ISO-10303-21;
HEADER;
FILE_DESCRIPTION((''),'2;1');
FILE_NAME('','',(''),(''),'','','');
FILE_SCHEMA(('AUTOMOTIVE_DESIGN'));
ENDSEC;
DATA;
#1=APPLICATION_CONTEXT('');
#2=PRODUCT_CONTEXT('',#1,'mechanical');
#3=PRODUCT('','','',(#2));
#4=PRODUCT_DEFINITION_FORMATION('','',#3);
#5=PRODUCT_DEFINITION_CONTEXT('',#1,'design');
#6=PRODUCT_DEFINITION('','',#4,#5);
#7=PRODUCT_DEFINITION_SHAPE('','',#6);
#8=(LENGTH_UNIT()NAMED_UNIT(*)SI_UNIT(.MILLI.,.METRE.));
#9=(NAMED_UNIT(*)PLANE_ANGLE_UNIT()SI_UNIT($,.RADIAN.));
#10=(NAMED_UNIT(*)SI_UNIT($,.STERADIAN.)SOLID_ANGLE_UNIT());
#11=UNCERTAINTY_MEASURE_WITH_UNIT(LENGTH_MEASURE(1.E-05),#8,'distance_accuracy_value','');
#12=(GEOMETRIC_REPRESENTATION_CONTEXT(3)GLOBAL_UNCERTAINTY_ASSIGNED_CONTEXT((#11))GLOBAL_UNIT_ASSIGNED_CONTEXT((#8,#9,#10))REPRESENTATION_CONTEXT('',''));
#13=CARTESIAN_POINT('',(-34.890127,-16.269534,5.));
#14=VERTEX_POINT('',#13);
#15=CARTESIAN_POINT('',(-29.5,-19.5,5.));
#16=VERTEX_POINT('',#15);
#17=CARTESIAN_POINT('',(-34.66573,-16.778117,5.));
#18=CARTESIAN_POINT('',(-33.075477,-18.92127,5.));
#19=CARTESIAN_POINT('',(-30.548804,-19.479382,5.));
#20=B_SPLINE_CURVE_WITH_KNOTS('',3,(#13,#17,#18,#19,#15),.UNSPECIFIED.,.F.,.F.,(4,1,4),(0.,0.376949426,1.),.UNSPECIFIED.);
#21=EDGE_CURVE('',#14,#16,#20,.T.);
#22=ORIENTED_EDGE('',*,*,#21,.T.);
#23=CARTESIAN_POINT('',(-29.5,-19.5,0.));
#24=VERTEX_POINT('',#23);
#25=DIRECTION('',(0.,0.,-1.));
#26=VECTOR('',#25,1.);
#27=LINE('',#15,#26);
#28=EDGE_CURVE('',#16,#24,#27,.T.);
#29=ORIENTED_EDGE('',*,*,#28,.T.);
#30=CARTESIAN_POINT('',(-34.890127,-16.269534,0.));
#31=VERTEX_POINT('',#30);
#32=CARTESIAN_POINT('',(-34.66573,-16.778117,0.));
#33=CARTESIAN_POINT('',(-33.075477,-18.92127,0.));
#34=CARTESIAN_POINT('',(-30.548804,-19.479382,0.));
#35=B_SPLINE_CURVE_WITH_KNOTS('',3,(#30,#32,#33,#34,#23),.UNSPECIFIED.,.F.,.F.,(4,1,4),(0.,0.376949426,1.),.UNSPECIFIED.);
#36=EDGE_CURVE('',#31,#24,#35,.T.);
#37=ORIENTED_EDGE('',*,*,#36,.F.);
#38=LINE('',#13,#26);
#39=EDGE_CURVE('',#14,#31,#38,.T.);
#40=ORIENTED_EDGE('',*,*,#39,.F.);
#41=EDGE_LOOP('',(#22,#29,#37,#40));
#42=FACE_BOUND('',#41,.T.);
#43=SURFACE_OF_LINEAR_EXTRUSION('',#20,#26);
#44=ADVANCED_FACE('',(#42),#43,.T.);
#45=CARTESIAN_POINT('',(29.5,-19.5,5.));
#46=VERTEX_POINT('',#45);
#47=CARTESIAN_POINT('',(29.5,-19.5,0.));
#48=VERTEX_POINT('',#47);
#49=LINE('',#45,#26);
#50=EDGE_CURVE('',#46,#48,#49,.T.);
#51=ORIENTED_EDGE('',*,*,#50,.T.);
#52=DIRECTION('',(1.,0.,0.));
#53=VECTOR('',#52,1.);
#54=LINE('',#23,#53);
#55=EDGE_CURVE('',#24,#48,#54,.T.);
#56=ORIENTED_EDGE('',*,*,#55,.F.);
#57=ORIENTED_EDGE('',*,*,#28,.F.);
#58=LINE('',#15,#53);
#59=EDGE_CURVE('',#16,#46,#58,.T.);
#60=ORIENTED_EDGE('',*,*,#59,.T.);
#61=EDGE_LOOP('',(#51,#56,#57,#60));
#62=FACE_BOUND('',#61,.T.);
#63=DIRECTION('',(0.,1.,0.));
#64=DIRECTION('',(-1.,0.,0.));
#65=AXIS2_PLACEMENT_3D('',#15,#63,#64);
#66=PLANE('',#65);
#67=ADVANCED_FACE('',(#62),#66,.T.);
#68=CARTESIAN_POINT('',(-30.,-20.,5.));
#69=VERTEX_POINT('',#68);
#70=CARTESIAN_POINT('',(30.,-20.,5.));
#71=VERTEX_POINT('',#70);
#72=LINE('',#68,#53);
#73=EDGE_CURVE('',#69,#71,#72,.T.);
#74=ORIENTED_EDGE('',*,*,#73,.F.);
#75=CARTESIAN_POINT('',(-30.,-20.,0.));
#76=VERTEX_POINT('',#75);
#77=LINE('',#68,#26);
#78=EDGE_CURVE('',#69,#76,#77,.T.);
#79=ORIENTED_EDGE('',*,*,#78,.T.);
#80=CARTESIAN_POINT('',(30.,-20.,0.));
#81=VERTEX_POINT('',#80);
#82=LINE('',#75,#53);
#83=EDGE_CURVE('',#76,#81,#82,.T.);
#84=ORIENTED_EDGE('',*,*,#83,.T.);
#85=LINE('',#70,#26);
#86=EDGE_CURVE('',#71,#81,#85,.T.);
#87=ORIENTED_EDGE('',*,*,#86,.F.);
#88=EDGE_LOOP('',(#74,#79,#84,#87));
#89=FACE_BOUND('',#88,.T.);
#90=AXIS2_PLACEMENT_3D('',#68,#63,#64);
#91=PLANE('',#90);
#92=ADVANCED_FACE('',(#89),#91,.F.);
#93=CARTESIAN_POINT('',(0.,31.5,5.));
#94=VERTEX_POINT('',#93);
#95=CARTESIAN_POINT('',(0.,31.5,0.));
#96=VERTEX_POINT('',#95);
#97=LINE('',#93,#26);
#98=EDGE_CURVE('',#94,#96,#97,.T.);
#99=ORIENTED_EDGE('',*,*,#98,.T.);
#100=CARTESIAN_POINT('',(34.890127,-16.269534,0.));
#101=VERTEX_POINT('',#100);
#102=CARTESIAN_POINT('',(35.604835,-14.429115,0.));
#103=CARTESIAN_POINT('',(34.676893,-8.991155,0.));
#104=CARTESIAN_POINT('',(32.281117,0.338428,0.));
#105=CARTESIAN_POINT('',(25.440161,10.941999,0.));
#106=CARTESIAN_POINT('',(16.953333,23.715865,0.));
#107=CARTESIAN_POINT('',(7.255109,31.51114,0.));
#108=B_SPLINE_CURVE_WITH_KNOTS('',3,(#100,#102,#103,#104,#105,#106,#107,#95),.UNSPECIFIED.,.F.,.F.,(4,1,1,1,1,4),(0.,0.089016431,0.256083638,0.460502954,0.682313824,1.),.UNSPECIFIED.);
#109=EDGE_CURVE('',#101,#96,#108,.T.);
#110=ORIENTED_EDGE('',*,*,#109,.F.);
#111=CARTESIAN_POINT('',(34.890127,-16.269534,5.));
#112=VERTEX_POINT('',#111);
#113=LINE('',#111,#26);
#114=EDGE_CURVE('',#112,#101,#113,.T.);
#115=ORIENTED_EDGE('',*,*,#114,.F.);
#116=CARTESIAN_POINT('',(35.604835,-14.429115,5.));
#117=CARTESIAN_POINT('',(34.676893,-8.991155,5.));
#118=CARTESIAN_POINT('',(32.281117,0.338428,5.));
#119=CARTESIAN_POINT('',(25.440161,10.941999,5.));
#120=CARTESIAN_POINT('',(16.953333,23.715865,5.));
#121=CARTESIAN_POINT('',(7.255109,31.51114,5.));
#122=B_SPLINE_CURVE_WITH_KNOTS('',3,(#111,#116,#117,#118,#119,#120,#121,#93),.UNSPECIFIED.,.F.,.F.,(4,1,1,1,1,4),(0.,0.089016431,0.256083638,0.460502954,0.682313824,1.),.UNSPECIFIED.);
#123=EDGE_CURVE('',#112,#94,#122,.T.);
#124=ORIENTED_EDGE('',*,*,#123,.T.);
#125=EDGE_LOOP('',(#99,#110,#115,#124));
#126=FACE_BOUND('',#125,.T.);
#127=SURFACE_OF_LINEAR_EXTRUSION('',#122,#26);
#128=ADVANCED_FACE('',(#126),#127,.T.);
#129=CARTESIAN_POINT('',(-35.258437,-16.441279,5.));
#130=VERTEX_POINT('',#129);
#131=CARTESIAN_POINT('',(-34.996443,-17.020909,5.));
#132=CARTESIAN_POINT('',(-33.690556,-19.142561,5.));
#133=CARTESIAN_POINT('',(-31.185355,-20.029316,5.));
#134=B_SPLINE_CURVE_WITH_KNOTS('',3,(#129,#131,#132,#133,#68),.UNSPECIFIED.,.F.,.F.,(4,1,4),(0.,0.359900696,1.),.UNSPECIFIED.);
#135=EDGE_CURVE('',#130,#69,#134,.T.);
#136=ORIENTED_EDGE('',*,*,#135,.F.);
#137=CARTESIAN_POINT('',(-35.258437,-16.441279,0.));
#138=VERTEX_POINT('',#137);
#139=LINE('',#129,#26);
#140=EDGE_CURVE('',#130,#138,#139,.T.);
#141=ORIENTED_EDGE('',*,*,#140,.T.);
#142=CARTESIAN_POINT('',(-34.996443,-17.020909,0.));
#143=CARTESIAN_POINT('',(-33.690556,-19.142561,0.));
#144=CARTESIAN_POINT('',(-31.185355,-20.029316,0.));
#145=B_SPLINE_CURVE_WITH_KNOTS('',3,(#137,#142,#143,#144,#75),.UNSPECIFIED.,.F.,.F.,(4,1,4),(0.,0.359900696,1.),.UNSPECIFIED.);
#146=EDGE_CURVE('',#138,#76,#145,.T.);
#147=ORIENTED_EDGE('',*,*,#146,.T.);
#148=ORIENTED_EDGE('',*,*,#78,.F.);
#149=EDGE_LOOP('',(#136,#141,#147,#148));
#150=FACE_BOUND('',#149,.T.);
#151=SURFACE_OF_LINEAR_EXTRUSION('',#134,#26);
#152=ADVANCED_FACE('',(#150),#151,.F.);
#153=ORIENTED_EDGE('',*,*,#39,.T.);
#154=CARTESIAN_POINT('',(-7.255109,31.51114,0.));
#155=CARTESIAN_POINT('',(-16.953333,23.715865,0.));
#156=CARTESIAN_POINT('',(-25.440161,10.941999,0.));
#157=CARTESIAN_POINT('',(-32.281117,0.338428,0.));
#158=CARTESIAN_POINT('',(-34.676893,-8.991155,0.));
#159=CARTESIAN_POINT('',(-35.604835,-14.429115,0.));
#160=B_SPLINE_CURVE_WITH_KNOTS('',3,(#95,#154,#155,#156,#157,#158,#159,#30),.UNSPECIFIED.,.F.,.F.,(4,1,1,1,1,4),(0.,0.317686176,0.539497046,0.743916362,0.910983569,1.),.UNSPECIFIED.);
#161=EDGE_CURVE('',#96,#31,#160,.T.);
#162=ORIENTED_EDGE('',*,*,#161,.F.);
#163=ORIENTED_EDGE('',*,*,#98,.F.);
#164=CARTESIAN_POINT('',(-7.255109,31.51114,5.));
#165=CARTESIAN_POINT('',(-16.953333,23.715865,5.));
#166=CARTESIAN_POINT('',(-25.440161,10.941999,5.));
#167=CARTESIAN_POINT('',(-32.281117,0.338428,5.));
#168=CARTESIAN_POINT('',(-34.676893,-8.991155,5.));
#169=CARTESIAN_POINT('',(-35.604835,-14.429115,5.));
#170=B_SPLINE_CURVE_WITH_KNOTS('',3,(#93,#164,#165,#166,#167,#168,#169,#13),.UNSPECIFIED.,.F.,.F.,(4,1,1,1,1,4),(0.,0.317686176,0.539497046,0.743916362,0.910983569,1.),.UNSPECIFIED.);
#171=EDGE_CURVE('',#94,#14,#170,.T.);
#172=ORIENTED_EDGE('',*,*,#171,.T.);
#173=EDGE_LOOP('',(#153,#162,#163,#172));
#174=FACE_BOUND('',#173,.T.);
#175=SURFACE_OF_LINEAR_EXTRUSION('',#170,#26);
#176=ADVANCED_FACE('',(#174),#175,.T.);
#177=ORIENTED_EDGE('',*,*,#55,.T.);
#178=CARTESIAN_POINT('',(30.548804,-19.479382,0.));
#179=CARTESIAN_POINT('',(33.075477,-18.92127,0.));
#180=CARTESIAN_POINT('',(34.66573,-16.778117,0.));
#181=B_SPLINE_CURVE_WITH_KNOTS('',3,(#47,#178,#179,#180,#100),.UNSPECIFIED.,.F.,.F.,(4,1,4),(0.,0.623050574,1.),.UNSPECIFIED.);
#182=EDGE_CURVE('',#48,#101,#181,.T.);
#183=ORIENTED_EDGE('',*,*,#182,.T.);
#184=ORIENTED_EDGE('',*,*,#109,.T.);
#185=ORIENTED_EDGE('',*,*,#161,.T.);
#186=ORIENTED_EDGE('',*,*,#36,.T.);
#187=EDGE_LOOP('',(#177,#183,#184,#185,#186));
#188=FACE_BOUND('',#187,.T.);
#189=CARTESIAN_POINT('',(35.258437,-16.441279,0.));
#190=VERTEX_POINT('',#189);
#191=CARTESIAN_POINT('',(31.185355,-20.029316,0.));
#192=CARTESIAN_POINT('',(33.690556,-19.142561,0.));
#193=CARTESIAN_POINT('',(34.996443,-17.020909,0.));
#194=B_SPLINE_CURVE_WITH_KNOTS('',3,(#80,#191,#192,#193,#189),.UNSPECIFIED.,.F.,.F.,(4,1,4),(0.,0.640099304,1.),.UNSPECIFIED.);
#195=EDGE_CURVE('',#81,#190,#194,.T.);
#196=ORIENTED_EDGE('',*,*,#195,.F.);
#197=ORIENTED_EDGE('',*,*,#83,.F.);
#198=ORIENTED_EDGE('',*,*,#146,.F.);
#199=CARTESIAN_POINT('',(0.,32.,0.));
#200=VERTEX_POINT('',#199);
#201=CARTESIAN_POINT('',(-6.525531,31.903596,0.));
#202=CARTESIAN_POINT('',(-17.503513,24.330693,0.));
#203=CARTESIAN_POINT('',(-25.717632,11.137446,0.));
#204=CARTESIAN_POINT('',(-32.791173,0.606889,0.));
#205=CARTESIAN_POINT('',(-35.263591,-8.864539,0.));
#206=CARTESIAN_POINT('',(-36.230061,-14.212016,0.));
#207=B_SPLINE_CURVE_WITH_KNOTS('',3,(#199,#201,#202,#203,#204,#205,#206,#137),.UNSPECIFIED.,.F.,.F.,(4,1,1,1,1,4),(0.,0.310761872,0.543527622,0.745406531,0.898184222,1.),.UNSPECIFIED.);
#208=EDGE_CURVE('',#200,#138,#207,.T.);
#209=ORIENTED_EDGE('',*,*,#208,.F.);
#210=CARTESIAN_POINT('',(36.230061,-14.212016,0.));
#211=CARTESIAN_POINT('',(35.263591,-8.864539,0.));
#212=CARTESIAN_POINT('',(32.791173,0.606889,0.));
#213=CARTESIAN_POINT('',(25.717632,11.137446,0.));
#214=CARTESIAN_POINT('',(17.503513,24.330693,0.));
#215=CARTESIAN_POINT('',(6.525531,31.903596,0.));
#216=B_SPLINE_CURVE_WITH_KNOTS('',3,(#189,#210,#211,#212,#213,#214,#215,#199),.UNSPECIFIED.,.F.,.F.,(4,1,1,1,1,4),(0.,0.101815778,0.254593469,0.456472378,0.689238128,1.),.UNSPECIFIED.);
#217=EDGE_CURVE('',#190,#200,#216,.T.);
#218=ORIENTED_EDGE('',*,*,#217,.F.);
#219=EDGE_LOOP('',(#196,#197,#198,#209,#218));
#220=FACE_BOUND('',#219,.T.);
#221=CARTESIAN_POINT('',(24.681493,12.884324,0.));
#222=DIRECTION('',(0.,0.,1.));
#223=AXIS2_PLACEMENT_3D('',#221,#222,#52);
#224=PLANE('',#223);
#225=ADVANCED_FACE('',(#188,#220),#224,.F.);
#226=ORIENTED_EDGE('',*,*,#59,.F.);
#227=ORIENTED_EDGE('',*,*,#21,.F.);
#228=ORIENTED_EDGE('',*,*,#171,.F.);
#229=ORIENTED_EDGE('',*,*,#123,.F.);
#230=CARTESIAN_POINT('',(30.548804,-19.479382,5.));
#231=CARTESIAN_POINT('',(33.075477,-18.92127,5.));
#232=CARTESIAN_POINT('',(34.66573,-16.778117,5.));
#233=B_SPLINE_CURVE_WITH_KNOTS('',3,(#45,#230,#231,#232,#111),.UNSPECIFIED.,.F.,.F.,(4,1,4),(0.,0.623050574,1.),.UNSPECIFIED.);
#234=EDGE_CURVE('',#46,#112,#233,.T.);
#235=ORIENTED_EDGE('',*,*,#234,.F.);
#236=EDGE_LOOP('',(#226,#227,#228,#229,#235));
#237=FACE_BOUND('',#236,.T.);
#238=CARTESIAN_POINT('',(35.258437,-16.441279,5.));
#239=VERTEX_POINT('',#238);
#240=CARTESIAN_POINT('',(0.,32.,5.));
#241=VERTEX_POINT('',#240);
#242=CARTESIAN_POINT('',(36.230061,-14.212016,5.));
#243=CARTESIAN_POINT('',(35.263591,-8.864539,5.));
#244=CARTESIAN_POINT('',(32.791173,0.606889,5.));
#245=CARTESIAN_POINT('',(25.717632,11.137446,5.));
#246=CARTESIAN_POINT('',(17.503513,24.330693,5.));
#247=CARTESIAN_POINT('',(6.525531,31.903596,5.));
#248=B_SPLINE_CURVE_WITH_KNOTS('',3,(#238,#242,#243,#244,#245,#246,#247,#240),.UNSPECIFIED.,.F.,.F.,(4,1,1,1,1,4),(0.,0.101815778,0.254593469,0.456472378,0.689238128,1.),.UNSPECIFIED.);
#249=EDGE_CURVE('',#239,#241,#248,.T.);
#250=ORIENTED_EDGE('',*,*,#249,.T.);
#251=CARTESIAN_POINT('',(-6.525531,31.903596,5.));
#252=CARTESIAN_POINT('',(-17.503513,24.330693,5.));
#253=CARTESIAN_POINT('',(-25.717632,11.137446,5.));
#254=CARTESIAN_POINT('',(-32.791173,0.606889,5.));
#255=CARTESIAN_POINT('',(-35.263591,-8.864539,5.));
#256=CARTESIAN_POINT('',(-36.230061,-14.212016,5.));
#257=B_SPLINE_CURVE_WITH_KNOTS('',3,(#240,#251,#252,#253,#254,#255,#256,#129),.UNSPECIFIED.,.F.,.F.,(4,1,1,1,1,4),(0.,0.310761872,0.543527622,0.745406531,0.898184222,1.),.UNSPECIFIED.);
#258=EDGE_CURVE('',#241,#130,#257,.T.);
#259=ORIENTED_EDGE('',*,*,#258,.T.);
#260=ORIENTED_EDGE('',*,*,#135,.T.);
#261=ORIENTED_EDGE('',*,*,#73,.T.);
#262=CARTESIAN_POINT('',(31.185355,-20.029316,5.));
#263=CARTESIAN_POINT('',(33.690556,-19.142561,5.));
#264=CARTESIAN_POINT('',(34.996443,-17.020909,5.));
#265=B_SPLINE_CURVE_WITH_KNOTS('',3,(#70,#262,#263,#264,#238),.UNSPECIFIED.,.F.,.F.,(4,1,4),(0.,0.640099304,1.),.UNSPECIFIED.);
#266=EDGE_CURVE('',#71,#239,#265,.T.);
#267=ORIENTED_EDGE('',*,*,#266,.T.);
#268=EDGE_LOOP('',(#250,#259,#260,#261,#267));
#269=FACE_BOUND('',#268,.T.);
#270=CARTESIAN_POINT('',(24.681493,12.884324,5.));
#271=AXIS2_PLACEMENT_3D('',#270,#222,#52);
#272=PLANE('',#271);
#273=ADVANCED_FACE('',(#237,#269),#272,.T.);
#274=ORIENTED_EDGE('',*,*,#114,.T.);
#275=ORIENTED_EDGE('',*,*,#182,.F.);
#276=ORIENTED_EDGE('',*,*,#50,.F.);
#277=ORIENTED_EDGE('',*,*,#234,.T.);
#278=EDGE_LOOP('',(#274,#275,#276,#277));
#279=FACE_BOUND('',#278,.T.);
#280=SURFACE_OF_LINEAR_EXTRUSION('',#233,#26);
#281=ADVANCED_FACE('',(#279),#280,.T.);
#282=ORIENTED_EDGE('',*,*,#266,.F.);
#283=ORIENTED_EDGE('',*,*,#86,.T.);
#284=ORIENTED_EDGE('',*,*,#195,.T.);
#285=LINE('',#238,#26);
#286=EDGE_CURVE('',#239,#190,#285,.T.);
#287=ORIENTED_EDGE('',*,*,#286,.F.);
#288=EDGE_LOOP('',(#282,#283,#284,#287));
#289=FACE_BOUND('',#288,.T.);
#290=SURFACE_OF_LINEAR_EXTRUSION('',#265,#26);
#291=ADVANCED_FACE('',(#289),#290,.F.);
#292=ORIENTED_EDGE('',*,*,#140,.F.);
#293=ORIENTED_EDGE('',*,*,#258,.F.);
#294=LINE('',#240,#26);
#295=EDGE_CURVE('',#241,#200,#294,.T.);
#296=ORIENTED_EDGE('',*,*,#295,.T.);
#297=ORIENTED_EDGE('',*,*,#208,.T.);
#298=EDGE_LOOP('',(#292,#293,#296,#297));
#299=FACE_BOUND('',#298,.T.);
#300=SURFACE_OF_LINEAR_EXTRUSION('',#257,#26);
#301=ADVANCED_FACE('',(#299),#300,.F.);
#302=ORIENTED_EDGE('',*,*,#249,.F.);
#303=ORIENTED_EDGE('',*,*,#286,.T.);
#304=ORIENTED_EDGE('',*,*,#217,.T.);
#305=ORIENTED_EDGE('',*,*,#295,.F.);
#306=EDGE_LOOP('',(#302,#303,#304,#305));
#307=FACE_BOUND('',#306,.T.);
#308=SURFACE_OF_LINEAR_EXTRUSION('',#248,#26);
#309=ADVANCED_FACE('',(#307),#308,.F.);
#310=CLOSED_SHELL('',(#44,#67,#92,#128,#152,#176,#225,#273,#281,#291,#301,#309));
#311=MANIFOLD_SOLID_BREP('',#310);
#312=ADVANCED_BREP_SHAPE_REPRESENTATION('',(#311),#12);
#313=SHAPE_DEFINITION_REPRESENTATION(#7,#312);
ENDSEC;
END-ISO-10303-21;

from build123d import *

# Parameters (mm, degrees)
EXTRUDE_1_DEPTH = 5


with BuildPart() as part:
    # 草图1 → 凸台-拉伸1 (new body)
    with BuildSketch(Plane.XY):
        with BuildLine():
            Line((-30, -20), (30, -20))
            add(Edge.make_bspline(
                [(35.258436844, -16.441279115), (34.996443421, -17.020908852), (33.690556146, -19.14256109), (31.185354686, -20.029316023), (30, -20)],
                knots=[0, 0, 0, 0, 0.359900696, 1, 1, 1, 1], degree=3))
            add(Edge.make_bspline(
                [(0, 32), (6.525531342, 31.903595671), (17.503513361, 24.330693276), (25.717632299, 11.137446439), (32.791173162, 0.606888673), (35.263590912, -8.864538837), (36.230061186, -14.212016256), (35.258436844, -16.441279115)],
                knots=[0, 0, 0, 0, 0.310761872, 0.543527622, 0.745406531, 0.898184222, 1, 1, 1, 1], degree=3))
            add(Edge.make_bspline(
                [(0, 32), (-6.525531342, 31.903595671), (-17.503513361, 24.330693276), (-25.717632299, 11.137446439), (-32.791173162, 0.606888673), (-35.263590912, -8.864538837), (-36.230061186, -14.212016256), (-35.258436844, -16.441279115)],
                knots=[0, 0, 0, 0, 0.310761872, 0.543527622, 0.745406531, 0.898184222, 1, 1, 1, 1], degree=3))
            add(Edge.make_bspline(
                [(-35.258436844, -16.441279115), (-34.996443421, -17.020908852), (-33.690556146, -19.14256109), (-31.185354686, -20.029316023), (-30, -20)],
                knots=[0, 0, 0, 0, 0.359900696, 1, 1, 1, 1], degree=3))
        make_face()
        with BuildLine():
            Line((-29.5, -19.5), (29.5, -19.5))
            add(Edge.make_bspline(
                [(34.890127266, -16.269533538), (34.6657296, -16.77811749), (33.075477178, -18.921269545), (30.54880391, -19.479382043), (29.5, -19.5)],
                knots=[0, 0, 0, 0, 0.376949426, 1, 1, 1, 1], degree=3))
            add(Edge.make_bspline(
                [(0, 31.5), (7.255109393, 31.511140377), (16.953333091, 23.715865479), (25.440161273, 10.941999217), (32.281116574, 0.338428353), (34.676893489, -8.991154632), (35.604835183, -14.429114988), (34.890127266, -16.269533538)],
                knots=[0, 0, 0, 0, 0.317686176, 0.539497046, 0.743916362, 0.910983569, 1, 1, 1, 1], degree=3))
            add(Edge.make_bspline(
                [(0, 31.5), (-7.255109393, 31.511140377), (-16.953333091, 23.715865479), (-25.440161273, 10.941999217), (-32.281116574, 0.338428353), (-34.676893489, -8.991154632), (-35.604835183, -14.429114988), (-34.890127266, -16.269533538)],
                knots=[0, 0, 0, 0, 0.317686176, 0.539497046, 0.743916362, 0.910983569, 1, 1, 1, 1], degree=3))
            add(Edge.make_bspline(
                [(-34.890127266, -16.269533538), (-34.6657296, -16.77811749), (-33.075477178, -18.921269545), (-30.54880391, -19.479382043), (-29.5, -19.5)],
                knots=[0, 0, 0, 0, 0.376949426, 1, 1, 1, 1], degree=3))
        make_face(mode=Mode.SUBTRACT)
    extrude(amount=EXTRUDE_1_DEPTH)


solid = part.part
